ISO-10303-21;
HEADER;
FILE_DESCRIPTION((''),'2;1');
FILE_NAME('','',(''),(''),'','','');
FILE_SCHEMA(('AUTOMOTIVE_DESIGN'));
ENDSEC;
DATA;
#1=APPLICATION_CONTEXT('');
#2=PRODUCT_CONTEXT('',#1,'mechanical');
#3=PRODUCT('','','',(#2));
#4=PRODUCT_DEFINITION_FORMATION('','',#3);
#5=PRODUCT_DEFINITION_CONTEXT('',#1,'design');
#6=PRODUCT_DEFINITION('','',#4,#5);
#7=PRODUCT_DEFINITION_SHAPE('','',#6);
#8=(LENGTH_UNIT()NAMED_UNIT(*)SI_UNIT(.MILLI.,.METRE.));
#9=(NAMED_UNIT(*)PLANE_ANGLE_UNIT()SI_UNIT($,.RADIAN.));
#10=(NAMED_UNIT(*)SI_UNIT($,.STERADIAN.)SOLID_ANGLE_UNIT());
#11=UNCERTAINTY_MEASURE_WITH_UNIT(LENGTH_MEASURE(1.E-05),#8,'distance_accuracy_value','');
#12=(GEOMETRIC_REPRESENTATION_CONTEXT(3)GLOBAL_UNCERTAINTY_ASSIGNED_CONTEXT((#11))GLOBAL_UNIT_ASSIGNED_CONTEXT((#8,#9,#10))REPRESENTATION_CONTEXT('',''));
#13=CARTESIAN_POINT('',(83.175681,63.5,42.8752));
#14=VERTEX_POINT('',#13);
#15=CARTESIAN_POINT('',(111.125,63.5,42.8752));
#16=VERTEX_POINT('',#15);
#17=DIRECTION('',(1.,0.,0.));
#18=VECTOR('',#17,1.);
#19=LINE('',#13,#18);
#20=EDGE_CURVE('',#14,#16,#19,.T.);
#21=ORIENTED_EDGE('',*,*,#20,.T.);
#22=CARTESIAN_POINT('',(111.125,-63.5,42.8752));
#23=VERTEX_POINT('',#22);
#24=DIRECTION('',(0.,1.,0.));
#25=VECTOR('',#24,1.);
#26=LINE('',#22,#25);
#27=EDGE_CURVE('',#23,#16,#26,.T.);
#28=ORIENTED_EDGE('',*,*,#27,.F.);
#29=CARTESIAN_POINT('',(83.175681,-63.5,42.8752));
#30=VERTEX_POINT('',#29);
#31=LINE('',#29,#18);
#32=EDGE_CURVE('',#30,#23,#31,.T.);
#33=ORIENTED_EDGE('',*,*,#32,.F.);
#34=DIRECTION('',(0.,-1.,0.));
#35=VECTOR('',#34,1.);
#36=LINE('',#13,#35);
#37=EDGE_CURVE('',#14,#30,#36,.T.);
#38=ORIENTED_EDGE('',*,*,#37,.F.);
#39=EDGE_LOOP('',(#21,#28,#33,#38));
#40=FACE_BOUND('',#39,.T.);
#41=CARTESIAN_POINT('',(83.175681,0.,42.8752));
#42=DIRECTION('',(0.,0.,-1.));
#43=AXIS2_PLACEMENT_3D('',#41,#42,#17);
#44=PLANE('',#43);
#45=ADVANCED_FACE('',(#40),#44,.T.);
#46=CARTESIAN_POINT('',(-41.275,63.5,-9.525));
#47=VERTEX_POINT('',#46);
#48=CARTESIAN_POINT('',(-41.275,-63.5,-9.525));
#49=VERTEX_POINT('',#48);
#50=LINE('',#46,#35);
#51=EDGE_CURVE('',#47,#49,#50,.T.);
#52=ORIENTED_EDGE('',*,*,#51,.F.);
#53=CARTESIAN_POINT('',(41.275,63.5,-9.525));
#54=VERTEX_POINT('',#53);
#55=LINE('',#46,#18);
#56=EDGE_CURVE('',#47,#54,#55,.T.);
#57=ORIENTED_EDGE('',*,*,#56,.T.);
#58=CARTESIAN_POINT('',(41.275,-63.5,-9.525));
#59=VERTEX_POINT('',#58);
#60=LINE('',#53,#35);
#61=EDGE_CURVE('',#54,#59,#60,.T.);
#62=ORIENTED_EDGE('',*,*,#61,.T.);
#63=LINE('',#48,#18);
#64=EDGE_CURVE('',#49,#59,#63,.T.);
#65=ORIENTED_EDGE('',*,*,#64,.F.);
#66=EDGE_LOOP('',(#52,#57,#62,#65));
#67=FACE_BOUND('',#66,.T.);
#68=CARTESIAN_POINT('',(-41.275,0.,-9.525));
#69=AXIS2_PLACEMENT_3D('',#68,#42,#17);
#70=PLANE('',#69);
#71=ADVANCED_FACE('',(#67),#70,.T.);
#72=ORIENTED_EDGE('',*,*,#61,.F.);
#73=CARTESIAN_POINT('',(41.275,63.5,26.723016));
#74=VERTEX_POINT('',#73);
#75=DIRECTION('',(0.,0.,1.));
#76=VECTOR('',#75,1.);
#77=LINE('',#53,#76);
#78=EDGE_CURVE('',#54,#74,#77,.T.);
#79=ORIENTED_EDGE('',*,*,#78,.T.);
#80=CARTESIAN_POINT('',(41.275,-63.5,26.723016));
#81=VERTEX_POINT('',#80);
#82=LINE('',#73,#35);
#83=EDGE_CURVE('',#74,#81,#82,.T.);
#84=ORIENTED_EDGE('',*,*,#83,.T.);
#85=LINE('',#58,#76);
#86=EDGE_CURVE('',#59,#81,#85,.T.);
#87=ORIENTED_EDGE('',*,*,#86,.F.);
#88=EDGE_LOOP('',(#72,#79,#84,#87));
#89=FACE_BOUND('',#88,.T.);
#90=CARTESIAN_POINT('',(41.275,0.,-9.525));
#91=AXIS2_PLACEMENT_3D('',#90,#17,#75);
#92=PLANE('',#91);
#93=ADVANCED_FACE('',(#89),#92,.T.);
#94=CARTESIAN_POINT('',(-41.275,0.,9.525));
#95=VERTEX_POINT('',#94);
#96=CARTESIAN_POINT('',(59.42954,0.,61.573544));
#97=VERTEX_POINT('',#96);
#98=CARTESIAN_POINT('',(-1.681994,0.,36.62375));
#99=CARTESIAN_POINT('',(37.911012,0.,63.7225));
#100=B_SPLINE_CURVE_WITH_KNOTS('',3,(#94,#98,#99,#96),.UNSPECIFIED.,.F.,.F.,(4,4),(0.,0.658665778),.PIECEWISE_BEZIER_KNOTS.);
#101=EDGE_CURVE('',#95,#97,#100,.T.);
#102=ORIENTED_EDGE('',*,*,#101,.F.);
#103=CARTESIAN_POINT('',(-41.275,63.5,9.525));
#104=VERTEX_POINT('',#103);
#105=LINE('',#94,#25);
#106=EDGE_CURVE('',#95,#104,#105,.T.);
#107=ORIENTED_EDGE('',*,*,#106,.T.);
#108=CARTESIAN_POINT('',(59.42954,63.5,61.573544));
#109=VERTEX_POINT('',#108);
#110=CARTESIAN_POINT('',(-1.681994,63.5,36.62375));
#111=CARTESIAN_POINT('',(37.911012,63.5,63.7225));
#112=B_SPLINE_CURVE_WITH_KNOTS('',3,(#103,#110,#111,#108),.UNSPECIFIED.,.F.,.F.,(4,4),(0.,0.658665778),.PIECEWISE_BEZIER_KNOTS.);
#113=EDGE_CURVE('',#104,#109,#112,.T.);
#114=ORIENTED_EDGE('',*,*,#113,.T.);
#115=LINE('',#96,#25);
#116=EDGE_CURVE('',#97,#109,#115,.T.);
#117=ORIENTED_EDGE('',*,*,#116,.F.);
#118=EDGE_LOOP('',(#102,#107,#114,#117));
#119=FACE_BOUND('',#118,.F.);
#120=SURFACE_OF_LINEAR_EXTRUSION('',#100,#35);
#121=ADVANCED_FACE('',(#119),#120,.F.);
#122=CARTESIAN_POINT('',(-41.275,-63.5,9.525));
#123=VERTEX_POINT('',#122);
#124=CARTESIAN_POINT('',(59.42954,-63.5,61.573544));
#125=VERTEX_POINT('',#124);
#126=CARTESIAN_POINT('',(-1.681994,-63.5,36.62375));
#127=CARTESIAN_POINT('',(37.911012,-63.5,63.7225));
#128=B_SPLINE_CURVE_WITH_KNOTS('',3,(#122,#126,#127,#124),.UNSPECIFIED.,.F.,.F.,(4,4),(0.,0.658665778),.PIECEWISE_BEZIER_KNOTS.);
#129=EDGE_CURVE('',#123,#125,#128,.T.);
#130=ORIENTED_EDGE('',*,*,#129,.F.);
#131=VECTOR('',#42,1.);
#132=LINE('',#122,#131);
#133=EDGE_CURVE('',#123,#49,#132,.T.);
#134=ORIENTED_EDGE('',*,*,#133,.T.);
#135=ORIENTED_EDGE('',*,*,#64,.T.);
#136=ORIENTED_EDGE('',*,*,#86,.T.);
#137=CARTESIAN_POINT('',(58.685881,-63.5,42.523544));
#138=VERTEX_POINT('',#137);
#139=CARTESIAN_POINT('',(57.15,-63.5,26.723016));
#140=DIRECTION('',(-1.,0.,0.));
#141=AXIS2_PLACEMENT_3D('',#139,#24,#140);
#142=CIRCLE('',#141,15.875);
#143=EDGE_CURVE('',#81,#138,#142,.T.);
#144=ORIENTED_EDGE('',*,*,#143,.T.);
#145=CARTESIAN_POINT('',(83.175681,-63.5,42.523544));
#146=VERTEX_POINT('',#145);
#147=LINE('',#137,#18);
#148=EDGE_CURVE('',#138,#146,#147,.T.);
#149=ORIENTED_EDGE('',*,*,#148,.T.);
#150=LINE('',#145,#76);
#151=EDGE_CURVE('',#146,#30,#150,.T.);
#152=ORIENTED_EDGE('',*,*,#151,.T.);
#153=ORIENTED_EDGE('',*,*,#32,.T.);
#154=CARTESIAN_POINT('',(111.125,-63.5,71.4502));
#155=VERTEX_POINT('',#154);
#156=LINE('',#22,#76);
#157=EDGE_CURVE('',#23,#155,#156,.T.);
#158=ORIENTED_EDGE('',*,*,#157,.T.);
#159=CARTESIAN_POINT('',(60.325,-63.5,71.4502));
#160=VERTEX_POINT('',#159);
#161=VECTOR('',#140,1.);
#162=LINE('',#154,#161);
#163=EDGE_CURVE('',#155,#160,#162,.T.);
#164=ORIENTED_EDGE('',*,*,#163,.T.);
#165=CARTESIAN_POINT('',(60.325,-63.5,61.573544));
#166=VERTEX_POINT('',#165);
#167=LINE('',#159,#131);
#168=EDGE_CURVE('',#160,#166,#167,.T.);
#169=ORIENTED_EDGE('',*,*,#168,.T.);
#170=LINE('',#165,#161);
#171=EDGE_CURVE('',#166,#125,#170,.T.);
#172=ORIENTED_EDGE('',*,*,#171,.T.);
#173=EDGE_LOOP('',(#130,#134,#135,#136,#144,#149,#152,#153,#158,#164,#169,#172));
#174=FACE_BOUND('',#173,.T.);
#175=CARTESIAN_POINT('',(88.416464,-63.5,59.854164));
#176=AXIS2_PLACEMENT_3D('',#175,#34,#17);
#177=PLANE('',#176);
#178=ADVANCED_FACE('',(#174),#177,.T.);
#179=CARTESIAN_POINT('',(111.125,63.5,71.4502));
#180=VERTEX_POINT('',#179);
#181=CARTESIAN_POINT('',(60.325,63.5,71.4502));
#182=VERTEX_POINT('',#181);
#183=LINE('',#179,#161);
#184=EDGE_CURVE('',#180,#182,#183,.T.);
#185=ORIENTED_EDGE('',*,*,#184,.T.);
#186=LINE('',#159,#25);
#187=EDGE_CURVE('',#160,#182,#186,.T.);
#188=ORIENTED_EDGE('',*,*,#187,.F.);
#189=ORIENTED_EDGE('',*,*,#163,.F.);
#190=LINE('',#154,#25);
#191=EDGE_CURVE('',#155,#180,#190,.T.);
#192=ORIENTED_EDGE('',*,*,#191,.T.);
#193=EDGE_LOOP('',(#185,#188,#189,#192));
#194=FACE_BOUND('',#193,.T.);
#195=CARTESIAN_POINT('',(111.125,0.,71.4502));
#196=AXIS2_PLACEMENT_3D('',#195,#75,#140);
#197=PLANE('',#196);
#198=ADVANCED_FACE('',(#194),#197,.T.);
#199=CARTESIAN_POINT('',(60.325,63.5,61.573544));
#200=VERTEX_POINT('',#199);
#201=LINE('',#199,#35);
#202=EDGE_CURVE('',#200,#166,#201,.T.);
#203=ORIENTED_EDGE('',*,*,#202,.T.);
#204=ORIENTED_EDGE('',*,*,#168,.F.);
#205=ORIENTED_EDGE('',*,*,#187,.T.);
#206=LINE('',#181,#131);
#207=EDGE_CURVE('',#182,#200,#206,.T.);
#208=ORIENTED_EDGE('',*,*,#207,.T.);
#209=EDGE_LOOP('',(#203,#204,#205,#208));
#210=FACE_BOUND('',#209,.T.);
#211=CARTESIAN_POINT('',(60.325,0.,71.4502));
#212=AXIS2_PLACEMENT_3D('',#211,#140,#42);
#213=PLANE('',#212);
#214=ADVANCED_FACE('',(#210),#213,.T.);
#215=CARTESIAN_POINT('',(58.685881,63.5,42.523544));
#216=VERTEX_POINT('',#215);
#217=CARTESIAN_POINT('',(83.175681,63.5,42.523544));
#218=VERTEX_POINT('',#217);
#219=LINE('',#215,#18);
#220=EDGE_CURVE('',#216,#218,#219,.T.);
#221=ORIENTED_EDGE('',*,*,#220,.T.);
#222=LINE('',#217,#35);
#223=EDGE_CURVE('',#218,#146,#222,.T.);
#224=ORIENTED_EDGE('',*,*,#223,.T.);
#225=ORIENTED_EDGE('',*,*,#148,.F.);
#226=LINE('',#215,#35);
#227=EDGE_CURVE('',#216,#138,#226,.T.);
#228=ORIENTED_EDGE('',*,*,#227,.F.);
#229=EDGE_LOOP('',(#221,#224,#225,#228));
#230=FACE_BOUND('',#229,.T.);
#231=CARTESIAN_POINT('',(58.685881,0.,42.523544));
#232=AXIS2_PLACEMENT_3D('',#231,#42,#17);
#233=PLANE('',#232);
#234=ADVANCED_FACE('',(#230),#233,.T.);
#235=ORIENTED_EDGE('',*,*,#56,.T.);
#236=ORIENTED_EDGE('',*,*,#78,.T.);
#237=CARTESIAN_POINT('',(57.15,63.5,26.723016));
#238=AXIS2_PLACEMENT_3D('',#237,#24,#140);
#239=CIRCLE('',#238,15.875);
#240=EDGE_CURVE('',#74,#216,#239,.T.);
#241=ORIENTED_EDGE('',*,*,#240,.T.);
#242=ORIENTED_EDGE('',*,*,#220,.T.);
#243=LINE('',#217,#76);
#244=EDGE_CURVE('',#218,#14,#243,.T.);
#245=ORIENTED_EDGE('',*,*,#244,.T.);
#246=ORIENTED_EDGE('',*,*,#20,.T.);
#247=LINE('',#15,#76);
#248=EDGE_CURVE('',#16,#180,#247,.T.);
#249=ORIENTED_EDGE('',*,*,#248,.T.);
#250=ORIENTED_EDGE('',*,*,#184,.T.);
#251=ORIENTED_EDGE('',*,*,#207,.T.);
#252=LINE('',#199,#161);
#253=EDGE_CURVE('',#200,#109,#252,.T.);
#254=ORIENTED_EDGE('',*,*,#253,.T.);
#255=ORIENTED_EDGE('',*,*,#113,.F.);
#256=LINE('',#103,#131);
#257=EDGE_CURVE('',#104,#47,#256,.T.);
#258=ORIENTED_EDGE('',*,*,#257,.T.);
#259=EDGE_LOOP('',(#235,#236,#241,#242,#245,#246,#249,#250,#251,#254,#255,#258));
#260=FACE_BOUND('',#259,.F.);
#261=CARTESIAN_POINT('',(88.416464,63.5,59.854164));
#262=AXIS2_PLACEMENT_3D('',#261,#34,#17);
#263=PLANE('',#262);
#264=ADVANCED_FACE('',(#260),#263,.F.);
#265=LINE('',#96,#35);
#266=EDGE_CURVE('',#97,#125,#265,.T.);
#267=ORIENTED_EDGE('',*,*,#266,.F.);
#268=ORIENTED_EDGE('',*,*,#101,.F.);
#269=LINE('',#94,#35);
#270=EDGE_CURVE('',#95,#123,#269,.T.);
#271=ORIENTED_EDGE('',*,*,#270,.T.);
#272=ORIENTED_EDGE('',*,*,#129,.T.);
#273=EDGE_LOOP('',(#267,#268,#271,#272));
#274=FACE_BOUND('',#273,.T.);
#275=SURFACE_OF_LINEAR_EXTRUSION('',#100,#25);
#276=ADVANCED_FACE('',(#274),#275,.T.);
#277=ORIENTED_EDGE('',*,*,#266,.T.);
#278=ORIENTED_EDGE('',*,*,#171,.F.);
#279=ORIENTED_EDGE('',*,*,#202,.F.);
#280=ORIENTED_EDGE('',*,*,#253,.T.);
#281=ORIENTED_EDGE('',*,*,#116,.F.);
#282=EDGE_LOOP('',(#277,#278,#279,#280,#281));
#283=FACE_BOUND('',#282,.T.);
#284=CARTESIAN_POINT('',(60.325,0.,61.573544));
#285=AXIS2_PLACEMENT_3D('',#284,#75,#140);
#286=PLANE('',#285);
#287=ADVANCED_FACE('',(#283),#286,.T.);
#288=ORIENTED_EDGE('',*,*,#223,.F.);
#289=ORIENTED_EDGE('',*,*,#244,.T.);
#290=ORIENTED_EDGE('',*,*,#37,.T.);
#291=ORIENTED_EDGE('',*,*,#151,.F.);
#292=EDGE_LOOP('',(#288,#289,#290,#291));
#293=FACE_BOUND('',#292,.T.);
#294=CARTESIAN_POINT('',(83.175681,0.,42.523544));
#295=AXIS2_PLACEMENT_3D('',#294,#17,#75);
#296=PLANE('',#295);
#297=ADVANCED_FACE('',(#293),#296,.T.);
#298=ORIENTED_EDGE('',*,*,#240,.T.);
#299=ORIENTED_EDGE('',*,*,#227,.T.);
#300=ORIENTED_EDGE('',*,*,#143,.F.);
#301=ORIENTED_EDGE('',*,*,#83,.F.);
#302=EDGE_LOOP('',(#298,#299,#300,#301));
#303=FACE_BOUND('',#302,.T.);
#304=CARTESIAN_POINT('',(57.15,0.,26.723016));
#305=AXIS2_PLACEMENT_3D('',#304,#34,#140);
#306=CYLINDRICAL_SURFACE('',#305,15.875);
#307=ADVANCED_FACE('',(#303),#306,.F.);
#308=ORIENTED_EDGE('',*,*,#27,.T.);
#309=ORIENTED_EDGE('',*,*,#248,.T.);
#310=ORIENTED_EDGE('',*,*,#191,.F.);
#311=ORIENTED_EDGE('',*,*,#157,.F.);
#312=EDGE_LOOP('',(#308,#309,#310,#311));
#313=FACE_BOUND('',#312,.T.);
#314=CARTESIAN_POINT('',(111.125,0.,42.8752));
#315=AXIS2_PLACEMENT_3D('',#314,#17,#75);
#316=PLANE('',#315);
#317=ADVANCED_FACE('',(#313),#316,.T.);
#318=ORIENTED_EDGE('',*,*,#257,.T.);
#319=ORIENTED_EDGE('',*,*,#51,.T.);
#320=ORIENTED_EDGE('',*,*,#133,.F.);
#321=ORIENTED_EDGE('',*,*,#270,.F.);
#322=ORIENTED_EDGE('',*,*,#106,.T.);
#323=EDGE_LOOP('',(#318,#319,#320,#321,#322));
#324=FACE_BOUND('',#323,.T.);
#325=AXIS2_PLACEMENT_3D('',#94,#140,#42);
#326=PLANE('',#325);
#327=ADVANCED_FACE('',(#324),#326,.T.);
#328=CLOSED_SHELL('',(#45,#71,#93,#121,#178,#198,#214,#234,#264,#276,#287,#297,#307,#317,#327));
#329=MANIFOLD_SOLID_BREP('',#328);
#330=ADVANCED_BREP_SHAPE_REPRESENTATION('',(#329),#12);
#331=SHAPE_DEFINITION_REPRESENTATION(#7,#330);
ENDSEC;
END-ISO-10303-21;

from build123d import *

# Parameters (mm, degrees)
F1_DEPTH = 63.5


with BuildPart() as f1:
    # F0 (on Front) → F1 (new body, symmetric)
    with BuildSketch(Plane.XZ):
        Polygon((60.325, 71.4502), (60.325, 61.5735440695), (83.1756805858, 61.5735440695), (83.1756805858, 42.8752), (111.125, 42.8752), (111.125, 71.4502), align=None)
        Polygon((22.225, 9.525), (-41.275, 9.525), (-41.275, -9.525), (41.275, -9.525), (41.275, 9.525), align=None)
        with BuildLine():
            add(Edge.make_bspline(
                [(-41.275, 9.525), (-1.6819942421, 36.6237502339), (37.9110115159, 63.7225004679), (59.4295399317, 61.5735440695)],
                knots=[0, 0, 0, 0, 0.658665778, 0.658665778, 0.658665778, 0.658665778], degree=3))
            Line((-41.275, 9.525), (22.225, 9.525))
            Line((22.225, 9.525), (22.225, 26.7230157708))
            ThreePointArc((22.225, 26.7230157708), (33.2738330873, 52.2119207798), (59.4295399317, 61.5735440695))
        make_face()
        with BuildLine():
            Line((83.1756805858, 42.8752), (82.928727027, 42.8752))
            add(Edge.make_bspline(
                [(82.928727027, 42.8752), (83.0110521067, 42.7579930507), (83.0933663462, 42.6407685601), (83.1756805858, 42.5235440695)],
                knots=[0.9955383683, 0.9955383683, 0.9955383683, 0.9955383683, 1, 1, 1, 1], degree=3))
            Line((83.1756805858, 42.5235440695), (83.1756805858, 42.8752))
        make_face()
        with BuildLine():
            Line((60.325, 61.5735440695), (59.4295399317, 61.5735440695))
            add(Edge.make_bspline(
                [(59.4295399317, 61.5735440695), (59.7315548679, 61.5433832278), (60.030009415, 61.5074610458), (60.325, 61.4659335595)],
                knots=[0.658665778, 0.658665778, 0.658665778, 0.658665778, 0.6679102253, 0.6679102253, 0.6679102253, 0.6679102253], degree=3))
            Line((60.325, 61.4659335595), (60.325, 61.5735440695))
        make_face()
        with BuildLine():
            Line((83.1756805858, 61.5735440695), (60.325, 61.5735440695))
            Line((60.325, 61.5735440695), (60.325, 61.4659335595))
            add(Edge.make_bspline(
                [(60.325, 61.4659335595), (70.7796236232, 59.9941773031), (76.8834021634, 51.4819828541), (82.928727027, 42.8752)],
                knots=[0.6679102253, 0.6679102253, 0.6679102253, 0.6679102253, 0.9955383683, 0.9955383683, 0.9955383683, 0.9955383683], degree=3))
            Line((82.928727027, 42.8752), (83.1756805858, 42.8752))
            Line((83.1756805858, 42.8752), (83.1756805858, 61.5735440695))
        make_face()
        with BuildLine():
            Line((22.225, 26.7230157708), (22.225, 9.525))
            Line((22.225, 9.525), (41.275, 9.525))
            Line((41.275, 9.525), (41.275, 26.7230157708))
            ThreePointArc((41.275, 26.7230157708), (46.4815063401, 38.4788172334), (58.6858810115, 42.5235440695))
            Line((58.6858810115, 42.5235440695), (83.1756805858, 42.5235440695))
            add(Edge.make_bspline(
                [(82.928727027, 42.8752), (83.0110521067, 42.7579930507), (83.0933663462, 42.6407685601), (83.1756805858, 42.5235440695)],
                knots=[0.9955383683, 0.9955383683, 0.9955383683, 0.9955383683, 1, 1, 1, 1], degree=3))
            Line((82.928727027, 42.8752), (60.325, 42.8752))
            Line((60.325, 42.8752), (60.325, 61.4659335595))
            add(Edge.make_bspline(
                [(59.4295399317, 61.5735440695), (59.7315548679, 61.5433832278), (60.030009415, 61.5074610458), (60.325, 61.4659335595)],
                knots=[0.658665778, 0.658665778, 0.658665778, 0.658665778, 0.6679102253, 0.6679102253, 0.6679102253, 0.6679102253], degree=3))
            ThreePointArc((59.4295399317, 61.5735440695), (33.2738330873, 52.2119207798), (22.225, 26.7230157708))
        make_face()
        with BuildLine():
            add(Edge.make_bspline(
                [(60.325, 61.4659335595), (70.7796236232, 59.9941773031), (76.8834021634, 51.4819828541), (82.928727027, 42.8752)],
                knots=[0.6679102253, 0.6679102253, 0.6679102253, 0.6679102253, 0.9955383683, 0.9955383683, 0.9955383683, 0.9955383683], degree=3))
            Line((60.325, 61.4659335595), (60.325, 42.8752))
            Line((60.325, 42.8752), (82.928727027, 42.8752))
        make_face()
    extrude(amount=F1_DEPTH, both=True)


solid = f1.part
